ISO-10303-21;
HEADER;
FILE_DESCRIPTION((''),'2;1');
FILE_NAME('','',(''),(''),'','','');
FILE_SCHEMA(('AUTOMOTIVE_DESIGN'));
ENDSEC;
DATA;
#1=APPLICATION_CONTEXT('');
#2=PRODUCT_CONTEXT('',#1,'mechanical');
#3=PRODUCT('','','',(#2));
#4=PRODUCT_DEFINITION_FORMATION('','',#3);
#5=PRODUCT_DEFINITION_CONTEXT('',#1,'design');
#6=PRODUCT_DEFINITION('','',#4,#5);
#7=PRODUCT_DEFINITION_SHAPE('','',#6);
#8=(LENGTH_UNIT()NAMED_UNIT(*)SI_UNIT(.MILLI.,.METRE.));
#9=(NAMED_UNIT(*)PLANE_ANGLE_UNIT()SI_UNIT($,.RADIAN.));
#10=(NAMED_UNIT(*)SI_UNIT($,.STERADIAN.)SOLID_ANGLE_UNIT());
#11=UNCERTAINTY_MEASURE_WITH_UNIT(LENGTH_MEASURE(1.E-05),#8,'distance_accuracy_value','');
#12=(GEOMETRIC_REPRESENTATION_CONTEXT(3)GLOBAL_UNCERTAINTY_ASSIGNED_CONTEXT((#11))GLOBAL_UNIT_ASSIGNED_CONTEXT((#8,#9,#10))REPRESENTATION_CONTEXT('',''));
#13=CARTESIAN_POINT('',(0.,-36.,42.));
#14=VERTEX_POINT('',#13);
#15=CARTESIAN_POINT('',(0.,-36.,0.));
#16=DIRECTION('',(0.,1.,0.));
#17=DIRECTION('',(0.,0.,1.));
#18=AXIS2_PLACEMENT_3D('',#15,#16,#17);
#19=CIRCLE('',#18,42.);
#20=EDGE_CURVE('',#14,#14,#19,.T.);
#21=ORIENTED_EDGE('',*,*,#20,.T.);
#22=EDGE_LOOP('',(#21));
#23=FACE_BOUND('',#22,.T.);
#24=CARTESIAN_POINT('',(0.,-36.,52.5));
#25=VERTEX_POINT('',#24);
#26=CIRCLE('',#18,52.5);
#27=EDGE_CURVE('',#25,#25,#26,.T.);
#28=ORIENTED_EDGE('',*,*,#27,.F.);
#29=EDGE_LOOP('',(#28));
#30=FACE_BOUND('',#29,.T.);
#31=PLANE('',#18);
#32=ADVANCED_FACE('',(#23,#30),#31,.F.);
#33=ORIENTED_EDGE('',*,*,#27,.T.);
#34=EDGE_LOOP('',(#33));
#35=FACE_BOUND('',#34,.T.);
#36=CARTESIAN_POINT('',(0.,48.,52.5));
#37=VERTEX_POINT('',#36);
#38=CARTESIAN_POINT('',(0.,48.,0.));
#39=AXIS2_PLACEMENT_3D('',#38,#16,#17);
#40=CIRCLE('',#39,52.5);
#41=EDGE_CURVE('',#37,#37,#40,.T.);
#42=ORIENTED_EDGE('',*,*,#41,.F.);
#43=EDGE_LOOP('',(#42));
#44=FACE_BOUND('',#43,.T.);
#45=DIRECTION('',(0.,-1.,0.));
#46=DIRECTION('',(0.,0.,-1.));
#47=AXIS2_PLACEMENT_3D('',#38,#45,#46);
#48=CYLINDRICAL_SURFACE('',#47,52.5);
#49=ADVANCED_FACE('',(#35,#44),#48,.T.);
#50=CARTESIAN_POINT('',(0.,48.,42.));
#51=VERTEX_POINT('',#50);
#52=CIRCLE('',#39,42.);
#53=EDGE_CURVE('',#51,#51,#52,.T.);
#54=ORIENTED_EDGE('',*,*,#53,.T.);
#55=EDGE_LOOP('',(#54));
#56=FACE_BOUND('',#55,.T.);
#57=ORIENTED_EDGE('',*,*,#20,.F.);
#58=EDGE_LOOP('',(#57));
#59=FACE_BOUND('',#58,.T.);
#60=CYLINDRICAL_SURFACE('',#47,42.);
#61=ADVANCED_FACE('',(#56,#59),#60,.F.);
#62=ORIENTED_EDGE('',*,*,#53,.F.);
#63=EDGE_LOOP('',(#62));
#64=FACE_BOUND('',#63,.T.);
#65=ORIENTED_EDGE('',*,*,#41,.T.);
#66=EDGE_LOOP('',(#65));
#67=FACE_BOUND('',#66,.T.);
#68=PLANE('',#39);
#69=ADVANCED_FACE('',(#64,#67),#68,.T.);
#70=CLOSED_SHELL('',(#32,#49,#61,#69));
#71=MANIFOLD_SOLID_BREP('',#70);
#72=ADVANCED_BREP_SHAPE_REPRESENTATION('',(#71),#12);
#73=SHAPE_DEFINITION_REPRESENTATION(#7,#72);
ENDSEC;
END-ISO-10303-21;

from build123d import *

# Parameters (mm, degrees)
CROQUIS1_R              = 7.5
CROQUIS1_R_2            = 6
SALIENTE_EXTRUIR1_DEPTH = 12
ESCALA1_SCALE           = 7


with BuildPart() as part:
    # Croquis1 → Saliente-Extruir1 (new body)
    with BuildSketch(Plane(origin=(0, 0, 0), x_dir=(1, 0, 0), z_dir=(0, 1, 0))):
        Circle(CROQUIS1_R)
        Circle(CROQUIS1_R_2, mode=Mode.SUBTRACT)
    extrude(amount=SALIENTE_EXTRUIR1_DEPTH)


with BuildPart() as part_1:
    # Escala1: scaled about (0, 6, 0)
    add(part.part.scale(ESCALA1_SCALE).moved(Location((0, -36, 0))))


solid = part_1.part
